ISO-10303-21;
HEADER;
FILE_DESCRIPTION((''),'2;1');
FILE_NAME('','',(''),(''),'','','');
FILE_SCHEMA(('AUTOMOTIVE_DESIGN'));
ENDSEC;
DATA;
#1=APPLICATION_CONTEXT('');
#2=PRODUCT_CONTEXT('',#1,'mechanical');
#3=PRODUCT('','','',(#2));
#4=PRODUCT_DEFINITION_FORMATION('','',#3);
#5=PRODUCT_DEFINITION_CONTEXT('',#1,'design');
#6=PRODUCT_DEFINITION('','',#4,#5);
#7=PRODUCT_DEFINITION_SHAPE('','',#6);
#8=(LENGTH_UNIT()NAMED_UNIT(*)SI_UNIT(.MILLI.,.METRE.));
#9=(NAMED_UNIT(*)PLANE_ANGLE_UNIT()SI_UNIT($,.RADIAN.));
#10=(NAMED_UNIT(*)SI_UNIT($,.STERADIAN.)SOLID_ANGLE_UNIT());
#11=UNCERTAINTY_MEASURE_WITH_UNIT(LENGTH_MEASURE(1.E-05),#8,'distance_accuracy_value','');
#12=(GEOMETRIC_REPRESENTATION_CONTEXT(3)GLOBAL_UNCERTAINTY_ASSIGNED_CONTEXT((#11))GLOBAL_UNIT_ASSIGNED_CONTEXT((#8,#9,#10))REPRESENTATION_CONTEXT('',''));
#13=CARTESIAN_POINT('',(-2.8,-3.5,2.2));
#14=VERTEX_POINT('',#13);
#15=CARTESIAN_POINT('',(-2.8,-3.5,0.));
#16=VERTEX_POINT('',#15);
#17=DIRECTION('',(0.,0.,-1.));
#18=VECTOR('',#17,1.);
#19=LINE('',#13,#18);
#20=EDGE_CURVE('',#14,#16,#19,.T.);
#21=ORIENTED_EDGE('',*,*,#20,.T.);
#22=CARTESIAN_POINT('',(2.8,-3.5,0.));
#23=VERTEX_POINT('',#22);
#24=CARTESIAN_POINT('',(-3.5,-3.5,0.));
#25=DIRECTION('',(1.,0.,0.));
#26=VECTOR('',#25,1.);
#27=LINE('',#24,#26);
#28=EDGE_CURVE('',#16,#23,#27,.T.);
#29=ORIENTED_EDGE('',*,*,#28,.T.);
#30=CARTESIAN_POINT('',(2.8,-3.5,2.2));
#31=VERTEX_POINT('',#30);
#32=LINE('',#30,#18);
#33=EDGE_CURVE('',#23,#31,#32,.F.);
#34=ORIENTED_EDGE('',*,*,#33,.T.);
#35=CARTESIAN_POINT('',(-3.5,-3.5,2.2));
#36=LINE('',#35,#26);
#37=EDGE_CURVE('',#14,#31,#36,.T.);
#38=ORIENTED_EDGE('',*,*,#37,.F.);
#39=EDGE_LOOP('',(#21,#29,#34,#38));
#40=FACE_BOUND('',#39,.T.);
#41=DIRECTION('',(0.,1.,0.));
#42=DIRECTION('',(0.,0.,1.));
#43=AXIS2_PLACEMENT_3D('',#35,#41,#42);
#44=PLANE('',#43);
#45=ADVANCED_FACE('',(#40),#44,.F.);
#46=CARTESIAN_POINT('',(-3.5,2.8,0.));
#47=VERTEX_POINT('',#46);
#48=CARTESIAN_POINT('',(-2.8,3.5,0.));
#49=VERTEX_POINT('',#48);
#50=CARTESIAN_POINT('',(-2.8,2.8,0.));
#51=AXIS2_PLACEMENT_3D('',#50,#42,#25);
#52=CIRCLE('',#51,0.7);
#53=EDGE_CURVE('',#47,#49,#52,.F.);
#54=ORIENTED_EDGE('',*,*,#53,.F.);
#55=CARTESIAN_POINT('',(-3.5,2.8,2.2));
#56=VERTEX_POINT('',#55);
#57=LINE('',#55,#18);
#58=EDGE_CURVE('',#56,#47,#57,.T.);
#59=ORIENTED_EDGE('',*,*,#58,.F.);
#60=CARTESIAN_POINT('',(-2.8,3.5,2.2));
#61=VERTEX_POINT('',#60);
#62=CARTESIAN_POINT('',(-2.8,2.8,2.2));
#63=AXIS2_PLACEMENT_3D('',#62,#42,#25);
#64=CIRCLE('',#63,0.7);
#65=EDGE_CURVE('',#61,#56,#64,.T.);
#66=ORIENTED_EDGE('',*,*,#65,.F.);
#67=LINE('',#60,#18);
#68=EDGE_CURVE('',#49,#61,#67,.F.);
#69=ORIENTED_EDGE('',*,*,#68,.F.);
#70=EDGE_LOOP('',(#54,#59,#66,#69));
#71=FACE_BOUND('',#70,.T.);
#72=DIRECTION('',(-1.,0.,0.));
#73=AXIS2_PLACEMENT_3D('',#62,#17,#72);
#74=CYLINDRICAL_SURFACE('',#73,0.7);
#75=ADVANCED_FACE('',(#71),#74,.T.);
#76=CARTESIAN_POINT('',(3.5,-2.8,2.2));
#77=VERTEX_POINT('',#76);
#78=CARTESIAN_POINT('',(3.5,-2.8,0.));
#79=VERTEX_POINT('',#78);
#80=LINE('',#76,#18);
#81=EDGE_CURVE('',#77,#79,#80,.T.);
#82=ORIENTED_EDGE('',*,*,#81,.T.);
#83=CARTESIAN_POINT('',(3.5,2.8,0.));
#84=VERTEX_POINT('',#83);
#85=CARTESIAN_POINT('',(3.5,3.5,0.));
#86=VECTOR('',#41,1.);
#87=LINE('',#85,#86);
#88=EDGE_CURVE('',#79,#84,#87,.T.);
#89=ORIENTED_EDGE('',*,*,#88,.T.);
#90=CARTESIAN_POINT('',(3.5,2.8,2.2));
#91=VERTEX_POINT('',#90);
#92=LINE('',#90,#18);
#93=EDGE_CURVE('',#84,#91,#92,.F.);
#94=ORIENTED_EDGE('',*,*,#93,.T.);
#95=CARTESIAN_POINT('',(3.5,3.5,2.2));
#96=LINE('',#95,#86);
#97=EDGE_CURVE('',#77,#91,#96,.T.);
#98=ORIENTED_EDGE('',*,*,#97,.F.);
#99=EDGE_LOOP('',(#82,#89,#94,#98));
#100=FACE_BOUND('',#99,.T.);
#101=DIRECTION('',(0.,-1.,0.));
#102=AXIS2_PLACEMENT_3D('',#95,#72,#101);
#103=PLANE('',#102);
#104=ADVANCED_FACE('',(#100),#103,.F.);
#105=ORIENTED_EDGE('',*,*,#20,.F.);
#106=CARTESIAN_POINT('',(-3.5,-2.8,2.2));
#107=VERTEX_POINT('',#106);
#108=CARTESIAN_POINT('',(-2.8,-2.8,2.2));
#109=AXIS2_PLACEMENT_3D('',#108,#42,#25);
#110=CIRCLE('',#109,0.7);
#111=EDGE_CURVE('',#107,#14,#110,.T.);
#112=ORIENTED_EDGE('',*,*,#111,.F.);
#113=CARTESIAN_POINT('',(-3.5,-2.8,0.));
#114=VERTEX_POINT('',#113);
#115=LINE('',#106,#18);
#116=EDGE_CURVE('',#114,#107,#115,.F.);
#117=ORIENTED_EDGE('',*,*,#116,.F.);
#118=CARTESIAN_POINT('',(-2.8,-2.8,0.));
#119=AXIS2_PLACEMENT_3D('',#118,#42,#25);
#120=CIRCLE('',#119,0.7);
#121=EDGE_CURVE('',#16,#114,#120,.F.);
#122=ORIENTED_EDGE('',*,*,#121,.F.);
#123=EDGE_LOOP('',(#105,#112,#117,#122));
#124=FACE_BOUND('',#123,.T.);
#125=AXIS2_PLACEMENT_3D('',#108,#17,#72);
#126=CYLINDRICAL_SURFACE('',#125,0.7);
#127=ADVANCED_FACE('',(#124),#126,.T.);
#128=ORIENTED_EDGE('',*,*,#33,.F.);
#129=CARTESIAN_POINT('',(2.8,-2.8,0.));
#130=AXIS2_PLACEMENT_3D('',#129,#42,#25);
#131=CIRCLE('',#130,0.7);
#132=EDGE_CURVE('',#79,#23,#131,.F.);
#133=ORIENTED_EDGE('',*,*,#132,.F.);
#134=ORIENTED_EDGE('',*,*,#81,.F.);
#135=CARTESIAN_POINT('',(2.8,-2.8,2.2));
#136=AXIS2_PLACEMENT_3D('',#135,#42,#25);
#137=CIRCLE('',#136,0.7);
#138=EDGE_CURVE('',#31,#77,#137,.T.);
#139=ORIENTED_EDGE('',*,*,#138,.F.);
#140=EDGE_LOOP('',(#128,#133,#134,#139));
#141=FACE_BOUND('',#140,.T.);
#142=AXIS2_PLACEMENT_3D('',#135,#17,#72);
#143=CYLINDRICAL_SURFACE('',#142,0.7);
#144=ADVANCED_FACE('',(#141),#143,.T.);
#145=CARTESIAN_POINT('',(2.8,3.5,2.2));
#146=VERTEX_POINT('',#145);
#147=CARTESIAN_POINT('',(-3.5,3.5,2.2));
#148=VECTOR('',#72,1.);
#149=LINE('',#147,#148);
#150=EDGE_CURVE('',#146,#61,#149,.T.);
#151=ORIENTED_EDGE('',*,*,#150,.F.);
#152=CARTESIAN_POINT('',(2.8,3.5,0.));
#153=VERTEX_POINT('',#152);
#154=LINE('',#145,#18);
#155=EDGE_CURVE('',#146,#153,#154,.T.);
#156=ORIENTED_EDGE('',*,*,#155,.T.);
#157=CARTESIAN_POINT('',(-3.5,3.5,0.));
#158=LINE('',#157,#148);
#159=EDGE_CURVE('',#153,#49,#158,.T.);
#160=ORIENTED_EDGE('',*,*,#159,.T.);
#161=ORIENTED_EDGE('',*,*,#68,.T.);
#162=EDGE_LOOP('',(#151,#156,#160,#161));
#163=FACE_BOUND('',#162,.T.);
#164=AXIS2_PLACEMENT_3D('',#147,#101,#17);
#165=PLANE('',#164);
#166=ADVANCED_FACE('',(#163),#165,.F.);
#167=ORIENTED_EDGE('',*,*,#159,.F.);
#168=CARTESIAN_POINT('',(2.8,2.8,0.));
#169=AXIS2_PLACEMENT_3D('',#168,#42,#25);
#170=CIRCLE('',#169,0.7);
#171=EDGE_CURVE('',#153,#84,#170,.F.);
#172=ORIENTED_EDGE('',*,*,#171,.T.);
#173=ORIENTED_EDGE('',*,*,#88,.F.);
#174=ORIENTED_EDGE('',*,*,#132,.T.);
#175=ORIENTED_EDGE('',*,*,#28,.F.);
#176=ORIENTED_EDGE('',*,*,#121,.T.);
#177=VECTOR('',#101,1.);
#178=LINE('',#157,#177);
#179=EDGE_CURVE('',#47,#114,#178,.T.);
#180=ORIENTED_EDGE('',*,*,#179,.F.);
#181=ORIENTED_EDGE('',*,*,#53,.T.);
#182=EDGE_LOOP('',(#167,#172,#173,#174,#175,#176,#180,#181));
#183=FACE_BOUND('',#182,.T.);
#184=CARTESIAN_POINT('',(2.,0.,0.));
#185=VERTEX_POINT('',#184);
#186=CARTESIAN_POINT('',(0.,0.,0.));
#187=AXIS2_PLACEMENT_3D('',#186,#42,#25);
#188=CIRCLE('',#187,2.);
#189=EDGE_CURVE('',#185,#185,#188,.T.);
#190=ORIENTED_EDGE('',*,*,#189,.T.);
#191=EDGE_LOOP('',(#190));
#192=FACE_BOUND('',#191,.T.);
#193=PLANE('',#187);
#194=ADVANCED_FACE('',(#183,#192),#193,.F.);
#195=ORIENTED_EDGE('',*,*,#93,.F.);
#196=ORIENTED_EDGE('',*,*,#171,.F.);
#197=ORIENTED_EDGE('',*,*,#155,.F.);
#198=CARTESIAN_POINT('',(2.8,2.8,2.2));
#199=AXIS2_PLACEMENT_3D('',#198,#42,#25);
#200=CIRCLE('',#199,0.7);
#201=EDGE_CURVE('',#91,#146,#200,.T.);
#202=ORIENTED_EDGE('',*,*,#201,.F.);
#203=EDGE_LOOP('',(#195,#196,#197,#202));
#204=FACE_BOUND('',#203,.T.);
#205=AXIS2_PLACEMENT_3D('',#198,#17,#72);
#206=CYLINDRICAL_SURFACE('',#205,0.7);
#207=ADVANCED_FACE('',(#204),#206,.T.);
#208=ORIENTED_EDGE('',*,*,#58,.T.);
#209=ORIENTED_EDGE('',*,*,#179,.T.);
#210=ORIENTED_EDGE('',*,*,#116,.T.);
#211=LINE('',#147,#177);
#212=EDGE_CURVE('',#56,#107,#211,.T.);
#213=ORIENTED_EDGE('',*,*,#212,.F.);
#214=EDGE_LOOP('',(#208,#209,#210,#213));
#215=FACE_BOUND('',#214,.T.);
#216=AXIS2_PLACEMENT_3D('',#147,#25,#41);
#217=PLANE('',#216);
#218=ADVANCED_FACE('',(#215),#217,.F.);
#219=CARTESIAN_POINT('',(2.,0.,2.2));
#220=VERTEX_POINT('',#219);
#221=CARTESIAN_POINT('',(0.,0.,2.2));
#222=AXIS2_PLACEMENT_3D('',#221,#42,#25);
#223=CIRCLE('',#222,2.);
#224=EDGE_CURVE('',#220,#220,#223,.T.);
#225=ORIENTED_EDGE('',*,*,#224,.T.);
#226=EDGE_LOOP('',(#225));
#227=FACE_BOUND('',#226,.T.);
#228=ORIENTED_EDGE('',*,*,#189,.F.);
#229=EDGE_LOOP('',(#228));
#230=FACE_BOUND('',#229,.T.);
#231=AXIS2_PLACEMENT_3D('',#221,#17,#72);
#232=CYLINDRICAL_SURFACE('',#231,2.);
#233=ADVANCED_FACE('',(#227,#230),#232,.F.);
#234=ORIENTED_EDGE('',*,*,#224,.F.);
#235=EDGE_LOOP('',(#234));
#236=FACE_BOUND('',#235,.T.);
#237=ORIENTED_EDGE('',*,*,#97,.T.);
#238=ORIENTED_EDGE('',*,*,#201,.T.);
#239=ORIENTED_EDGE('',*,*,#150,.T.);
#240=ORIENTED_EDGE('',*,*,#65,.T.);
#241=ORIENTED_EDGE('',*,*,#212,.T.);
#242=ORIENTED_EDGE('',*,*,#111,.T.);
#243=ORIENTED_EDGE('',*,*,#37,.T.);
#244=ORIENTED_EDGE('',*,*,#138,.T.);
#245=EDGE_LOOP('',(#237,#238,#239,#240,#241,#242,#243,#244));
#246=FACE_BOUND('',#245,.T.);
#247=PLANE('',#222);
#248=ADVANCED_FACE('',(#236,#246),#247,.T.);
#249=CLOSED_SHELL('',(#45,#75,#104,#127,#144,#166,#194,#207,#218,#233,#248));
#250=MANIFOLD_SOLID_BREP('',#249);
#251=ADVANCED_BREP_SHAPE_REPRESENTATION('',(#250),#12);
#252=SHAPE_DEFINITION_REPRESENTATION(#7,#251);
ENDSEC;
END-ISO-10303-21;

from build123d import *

# Parameters (mm, degrees)
SKETCH1_W           = 7
SKETCH1_H           = 7
SKETCH1_R           = 2
BOSS_EXTRUDE1_DEPTH = 2.2
FILLET1_R           = 0.7


with BuildPart() as part:
    # Sketch1 → Boss-Extrude1 (new body)
    with BuildSketch(Plane.XY):
        Rectangle(SKETCH1_W, SKETCH1_H)
        Circle(SKETCH1_R, mode=Mode.SUBTRACT)
    extrude(amount=BOSS_EXTRUDE1_DEPTH)

    # Fillet1
    fillet1_edges = [part.edges().sort_by_distance(p)[0] for p in [
        (3.5, -3.5, 1.1),
        (-3.5, -3.5, 1.1),
        (-3.5, 3.5, 1.1),
        (3.5, 3.5, 1.1),
    ]]
    fillet(fillet1_edges, radius=FILLET1_R)


solid = part.part
